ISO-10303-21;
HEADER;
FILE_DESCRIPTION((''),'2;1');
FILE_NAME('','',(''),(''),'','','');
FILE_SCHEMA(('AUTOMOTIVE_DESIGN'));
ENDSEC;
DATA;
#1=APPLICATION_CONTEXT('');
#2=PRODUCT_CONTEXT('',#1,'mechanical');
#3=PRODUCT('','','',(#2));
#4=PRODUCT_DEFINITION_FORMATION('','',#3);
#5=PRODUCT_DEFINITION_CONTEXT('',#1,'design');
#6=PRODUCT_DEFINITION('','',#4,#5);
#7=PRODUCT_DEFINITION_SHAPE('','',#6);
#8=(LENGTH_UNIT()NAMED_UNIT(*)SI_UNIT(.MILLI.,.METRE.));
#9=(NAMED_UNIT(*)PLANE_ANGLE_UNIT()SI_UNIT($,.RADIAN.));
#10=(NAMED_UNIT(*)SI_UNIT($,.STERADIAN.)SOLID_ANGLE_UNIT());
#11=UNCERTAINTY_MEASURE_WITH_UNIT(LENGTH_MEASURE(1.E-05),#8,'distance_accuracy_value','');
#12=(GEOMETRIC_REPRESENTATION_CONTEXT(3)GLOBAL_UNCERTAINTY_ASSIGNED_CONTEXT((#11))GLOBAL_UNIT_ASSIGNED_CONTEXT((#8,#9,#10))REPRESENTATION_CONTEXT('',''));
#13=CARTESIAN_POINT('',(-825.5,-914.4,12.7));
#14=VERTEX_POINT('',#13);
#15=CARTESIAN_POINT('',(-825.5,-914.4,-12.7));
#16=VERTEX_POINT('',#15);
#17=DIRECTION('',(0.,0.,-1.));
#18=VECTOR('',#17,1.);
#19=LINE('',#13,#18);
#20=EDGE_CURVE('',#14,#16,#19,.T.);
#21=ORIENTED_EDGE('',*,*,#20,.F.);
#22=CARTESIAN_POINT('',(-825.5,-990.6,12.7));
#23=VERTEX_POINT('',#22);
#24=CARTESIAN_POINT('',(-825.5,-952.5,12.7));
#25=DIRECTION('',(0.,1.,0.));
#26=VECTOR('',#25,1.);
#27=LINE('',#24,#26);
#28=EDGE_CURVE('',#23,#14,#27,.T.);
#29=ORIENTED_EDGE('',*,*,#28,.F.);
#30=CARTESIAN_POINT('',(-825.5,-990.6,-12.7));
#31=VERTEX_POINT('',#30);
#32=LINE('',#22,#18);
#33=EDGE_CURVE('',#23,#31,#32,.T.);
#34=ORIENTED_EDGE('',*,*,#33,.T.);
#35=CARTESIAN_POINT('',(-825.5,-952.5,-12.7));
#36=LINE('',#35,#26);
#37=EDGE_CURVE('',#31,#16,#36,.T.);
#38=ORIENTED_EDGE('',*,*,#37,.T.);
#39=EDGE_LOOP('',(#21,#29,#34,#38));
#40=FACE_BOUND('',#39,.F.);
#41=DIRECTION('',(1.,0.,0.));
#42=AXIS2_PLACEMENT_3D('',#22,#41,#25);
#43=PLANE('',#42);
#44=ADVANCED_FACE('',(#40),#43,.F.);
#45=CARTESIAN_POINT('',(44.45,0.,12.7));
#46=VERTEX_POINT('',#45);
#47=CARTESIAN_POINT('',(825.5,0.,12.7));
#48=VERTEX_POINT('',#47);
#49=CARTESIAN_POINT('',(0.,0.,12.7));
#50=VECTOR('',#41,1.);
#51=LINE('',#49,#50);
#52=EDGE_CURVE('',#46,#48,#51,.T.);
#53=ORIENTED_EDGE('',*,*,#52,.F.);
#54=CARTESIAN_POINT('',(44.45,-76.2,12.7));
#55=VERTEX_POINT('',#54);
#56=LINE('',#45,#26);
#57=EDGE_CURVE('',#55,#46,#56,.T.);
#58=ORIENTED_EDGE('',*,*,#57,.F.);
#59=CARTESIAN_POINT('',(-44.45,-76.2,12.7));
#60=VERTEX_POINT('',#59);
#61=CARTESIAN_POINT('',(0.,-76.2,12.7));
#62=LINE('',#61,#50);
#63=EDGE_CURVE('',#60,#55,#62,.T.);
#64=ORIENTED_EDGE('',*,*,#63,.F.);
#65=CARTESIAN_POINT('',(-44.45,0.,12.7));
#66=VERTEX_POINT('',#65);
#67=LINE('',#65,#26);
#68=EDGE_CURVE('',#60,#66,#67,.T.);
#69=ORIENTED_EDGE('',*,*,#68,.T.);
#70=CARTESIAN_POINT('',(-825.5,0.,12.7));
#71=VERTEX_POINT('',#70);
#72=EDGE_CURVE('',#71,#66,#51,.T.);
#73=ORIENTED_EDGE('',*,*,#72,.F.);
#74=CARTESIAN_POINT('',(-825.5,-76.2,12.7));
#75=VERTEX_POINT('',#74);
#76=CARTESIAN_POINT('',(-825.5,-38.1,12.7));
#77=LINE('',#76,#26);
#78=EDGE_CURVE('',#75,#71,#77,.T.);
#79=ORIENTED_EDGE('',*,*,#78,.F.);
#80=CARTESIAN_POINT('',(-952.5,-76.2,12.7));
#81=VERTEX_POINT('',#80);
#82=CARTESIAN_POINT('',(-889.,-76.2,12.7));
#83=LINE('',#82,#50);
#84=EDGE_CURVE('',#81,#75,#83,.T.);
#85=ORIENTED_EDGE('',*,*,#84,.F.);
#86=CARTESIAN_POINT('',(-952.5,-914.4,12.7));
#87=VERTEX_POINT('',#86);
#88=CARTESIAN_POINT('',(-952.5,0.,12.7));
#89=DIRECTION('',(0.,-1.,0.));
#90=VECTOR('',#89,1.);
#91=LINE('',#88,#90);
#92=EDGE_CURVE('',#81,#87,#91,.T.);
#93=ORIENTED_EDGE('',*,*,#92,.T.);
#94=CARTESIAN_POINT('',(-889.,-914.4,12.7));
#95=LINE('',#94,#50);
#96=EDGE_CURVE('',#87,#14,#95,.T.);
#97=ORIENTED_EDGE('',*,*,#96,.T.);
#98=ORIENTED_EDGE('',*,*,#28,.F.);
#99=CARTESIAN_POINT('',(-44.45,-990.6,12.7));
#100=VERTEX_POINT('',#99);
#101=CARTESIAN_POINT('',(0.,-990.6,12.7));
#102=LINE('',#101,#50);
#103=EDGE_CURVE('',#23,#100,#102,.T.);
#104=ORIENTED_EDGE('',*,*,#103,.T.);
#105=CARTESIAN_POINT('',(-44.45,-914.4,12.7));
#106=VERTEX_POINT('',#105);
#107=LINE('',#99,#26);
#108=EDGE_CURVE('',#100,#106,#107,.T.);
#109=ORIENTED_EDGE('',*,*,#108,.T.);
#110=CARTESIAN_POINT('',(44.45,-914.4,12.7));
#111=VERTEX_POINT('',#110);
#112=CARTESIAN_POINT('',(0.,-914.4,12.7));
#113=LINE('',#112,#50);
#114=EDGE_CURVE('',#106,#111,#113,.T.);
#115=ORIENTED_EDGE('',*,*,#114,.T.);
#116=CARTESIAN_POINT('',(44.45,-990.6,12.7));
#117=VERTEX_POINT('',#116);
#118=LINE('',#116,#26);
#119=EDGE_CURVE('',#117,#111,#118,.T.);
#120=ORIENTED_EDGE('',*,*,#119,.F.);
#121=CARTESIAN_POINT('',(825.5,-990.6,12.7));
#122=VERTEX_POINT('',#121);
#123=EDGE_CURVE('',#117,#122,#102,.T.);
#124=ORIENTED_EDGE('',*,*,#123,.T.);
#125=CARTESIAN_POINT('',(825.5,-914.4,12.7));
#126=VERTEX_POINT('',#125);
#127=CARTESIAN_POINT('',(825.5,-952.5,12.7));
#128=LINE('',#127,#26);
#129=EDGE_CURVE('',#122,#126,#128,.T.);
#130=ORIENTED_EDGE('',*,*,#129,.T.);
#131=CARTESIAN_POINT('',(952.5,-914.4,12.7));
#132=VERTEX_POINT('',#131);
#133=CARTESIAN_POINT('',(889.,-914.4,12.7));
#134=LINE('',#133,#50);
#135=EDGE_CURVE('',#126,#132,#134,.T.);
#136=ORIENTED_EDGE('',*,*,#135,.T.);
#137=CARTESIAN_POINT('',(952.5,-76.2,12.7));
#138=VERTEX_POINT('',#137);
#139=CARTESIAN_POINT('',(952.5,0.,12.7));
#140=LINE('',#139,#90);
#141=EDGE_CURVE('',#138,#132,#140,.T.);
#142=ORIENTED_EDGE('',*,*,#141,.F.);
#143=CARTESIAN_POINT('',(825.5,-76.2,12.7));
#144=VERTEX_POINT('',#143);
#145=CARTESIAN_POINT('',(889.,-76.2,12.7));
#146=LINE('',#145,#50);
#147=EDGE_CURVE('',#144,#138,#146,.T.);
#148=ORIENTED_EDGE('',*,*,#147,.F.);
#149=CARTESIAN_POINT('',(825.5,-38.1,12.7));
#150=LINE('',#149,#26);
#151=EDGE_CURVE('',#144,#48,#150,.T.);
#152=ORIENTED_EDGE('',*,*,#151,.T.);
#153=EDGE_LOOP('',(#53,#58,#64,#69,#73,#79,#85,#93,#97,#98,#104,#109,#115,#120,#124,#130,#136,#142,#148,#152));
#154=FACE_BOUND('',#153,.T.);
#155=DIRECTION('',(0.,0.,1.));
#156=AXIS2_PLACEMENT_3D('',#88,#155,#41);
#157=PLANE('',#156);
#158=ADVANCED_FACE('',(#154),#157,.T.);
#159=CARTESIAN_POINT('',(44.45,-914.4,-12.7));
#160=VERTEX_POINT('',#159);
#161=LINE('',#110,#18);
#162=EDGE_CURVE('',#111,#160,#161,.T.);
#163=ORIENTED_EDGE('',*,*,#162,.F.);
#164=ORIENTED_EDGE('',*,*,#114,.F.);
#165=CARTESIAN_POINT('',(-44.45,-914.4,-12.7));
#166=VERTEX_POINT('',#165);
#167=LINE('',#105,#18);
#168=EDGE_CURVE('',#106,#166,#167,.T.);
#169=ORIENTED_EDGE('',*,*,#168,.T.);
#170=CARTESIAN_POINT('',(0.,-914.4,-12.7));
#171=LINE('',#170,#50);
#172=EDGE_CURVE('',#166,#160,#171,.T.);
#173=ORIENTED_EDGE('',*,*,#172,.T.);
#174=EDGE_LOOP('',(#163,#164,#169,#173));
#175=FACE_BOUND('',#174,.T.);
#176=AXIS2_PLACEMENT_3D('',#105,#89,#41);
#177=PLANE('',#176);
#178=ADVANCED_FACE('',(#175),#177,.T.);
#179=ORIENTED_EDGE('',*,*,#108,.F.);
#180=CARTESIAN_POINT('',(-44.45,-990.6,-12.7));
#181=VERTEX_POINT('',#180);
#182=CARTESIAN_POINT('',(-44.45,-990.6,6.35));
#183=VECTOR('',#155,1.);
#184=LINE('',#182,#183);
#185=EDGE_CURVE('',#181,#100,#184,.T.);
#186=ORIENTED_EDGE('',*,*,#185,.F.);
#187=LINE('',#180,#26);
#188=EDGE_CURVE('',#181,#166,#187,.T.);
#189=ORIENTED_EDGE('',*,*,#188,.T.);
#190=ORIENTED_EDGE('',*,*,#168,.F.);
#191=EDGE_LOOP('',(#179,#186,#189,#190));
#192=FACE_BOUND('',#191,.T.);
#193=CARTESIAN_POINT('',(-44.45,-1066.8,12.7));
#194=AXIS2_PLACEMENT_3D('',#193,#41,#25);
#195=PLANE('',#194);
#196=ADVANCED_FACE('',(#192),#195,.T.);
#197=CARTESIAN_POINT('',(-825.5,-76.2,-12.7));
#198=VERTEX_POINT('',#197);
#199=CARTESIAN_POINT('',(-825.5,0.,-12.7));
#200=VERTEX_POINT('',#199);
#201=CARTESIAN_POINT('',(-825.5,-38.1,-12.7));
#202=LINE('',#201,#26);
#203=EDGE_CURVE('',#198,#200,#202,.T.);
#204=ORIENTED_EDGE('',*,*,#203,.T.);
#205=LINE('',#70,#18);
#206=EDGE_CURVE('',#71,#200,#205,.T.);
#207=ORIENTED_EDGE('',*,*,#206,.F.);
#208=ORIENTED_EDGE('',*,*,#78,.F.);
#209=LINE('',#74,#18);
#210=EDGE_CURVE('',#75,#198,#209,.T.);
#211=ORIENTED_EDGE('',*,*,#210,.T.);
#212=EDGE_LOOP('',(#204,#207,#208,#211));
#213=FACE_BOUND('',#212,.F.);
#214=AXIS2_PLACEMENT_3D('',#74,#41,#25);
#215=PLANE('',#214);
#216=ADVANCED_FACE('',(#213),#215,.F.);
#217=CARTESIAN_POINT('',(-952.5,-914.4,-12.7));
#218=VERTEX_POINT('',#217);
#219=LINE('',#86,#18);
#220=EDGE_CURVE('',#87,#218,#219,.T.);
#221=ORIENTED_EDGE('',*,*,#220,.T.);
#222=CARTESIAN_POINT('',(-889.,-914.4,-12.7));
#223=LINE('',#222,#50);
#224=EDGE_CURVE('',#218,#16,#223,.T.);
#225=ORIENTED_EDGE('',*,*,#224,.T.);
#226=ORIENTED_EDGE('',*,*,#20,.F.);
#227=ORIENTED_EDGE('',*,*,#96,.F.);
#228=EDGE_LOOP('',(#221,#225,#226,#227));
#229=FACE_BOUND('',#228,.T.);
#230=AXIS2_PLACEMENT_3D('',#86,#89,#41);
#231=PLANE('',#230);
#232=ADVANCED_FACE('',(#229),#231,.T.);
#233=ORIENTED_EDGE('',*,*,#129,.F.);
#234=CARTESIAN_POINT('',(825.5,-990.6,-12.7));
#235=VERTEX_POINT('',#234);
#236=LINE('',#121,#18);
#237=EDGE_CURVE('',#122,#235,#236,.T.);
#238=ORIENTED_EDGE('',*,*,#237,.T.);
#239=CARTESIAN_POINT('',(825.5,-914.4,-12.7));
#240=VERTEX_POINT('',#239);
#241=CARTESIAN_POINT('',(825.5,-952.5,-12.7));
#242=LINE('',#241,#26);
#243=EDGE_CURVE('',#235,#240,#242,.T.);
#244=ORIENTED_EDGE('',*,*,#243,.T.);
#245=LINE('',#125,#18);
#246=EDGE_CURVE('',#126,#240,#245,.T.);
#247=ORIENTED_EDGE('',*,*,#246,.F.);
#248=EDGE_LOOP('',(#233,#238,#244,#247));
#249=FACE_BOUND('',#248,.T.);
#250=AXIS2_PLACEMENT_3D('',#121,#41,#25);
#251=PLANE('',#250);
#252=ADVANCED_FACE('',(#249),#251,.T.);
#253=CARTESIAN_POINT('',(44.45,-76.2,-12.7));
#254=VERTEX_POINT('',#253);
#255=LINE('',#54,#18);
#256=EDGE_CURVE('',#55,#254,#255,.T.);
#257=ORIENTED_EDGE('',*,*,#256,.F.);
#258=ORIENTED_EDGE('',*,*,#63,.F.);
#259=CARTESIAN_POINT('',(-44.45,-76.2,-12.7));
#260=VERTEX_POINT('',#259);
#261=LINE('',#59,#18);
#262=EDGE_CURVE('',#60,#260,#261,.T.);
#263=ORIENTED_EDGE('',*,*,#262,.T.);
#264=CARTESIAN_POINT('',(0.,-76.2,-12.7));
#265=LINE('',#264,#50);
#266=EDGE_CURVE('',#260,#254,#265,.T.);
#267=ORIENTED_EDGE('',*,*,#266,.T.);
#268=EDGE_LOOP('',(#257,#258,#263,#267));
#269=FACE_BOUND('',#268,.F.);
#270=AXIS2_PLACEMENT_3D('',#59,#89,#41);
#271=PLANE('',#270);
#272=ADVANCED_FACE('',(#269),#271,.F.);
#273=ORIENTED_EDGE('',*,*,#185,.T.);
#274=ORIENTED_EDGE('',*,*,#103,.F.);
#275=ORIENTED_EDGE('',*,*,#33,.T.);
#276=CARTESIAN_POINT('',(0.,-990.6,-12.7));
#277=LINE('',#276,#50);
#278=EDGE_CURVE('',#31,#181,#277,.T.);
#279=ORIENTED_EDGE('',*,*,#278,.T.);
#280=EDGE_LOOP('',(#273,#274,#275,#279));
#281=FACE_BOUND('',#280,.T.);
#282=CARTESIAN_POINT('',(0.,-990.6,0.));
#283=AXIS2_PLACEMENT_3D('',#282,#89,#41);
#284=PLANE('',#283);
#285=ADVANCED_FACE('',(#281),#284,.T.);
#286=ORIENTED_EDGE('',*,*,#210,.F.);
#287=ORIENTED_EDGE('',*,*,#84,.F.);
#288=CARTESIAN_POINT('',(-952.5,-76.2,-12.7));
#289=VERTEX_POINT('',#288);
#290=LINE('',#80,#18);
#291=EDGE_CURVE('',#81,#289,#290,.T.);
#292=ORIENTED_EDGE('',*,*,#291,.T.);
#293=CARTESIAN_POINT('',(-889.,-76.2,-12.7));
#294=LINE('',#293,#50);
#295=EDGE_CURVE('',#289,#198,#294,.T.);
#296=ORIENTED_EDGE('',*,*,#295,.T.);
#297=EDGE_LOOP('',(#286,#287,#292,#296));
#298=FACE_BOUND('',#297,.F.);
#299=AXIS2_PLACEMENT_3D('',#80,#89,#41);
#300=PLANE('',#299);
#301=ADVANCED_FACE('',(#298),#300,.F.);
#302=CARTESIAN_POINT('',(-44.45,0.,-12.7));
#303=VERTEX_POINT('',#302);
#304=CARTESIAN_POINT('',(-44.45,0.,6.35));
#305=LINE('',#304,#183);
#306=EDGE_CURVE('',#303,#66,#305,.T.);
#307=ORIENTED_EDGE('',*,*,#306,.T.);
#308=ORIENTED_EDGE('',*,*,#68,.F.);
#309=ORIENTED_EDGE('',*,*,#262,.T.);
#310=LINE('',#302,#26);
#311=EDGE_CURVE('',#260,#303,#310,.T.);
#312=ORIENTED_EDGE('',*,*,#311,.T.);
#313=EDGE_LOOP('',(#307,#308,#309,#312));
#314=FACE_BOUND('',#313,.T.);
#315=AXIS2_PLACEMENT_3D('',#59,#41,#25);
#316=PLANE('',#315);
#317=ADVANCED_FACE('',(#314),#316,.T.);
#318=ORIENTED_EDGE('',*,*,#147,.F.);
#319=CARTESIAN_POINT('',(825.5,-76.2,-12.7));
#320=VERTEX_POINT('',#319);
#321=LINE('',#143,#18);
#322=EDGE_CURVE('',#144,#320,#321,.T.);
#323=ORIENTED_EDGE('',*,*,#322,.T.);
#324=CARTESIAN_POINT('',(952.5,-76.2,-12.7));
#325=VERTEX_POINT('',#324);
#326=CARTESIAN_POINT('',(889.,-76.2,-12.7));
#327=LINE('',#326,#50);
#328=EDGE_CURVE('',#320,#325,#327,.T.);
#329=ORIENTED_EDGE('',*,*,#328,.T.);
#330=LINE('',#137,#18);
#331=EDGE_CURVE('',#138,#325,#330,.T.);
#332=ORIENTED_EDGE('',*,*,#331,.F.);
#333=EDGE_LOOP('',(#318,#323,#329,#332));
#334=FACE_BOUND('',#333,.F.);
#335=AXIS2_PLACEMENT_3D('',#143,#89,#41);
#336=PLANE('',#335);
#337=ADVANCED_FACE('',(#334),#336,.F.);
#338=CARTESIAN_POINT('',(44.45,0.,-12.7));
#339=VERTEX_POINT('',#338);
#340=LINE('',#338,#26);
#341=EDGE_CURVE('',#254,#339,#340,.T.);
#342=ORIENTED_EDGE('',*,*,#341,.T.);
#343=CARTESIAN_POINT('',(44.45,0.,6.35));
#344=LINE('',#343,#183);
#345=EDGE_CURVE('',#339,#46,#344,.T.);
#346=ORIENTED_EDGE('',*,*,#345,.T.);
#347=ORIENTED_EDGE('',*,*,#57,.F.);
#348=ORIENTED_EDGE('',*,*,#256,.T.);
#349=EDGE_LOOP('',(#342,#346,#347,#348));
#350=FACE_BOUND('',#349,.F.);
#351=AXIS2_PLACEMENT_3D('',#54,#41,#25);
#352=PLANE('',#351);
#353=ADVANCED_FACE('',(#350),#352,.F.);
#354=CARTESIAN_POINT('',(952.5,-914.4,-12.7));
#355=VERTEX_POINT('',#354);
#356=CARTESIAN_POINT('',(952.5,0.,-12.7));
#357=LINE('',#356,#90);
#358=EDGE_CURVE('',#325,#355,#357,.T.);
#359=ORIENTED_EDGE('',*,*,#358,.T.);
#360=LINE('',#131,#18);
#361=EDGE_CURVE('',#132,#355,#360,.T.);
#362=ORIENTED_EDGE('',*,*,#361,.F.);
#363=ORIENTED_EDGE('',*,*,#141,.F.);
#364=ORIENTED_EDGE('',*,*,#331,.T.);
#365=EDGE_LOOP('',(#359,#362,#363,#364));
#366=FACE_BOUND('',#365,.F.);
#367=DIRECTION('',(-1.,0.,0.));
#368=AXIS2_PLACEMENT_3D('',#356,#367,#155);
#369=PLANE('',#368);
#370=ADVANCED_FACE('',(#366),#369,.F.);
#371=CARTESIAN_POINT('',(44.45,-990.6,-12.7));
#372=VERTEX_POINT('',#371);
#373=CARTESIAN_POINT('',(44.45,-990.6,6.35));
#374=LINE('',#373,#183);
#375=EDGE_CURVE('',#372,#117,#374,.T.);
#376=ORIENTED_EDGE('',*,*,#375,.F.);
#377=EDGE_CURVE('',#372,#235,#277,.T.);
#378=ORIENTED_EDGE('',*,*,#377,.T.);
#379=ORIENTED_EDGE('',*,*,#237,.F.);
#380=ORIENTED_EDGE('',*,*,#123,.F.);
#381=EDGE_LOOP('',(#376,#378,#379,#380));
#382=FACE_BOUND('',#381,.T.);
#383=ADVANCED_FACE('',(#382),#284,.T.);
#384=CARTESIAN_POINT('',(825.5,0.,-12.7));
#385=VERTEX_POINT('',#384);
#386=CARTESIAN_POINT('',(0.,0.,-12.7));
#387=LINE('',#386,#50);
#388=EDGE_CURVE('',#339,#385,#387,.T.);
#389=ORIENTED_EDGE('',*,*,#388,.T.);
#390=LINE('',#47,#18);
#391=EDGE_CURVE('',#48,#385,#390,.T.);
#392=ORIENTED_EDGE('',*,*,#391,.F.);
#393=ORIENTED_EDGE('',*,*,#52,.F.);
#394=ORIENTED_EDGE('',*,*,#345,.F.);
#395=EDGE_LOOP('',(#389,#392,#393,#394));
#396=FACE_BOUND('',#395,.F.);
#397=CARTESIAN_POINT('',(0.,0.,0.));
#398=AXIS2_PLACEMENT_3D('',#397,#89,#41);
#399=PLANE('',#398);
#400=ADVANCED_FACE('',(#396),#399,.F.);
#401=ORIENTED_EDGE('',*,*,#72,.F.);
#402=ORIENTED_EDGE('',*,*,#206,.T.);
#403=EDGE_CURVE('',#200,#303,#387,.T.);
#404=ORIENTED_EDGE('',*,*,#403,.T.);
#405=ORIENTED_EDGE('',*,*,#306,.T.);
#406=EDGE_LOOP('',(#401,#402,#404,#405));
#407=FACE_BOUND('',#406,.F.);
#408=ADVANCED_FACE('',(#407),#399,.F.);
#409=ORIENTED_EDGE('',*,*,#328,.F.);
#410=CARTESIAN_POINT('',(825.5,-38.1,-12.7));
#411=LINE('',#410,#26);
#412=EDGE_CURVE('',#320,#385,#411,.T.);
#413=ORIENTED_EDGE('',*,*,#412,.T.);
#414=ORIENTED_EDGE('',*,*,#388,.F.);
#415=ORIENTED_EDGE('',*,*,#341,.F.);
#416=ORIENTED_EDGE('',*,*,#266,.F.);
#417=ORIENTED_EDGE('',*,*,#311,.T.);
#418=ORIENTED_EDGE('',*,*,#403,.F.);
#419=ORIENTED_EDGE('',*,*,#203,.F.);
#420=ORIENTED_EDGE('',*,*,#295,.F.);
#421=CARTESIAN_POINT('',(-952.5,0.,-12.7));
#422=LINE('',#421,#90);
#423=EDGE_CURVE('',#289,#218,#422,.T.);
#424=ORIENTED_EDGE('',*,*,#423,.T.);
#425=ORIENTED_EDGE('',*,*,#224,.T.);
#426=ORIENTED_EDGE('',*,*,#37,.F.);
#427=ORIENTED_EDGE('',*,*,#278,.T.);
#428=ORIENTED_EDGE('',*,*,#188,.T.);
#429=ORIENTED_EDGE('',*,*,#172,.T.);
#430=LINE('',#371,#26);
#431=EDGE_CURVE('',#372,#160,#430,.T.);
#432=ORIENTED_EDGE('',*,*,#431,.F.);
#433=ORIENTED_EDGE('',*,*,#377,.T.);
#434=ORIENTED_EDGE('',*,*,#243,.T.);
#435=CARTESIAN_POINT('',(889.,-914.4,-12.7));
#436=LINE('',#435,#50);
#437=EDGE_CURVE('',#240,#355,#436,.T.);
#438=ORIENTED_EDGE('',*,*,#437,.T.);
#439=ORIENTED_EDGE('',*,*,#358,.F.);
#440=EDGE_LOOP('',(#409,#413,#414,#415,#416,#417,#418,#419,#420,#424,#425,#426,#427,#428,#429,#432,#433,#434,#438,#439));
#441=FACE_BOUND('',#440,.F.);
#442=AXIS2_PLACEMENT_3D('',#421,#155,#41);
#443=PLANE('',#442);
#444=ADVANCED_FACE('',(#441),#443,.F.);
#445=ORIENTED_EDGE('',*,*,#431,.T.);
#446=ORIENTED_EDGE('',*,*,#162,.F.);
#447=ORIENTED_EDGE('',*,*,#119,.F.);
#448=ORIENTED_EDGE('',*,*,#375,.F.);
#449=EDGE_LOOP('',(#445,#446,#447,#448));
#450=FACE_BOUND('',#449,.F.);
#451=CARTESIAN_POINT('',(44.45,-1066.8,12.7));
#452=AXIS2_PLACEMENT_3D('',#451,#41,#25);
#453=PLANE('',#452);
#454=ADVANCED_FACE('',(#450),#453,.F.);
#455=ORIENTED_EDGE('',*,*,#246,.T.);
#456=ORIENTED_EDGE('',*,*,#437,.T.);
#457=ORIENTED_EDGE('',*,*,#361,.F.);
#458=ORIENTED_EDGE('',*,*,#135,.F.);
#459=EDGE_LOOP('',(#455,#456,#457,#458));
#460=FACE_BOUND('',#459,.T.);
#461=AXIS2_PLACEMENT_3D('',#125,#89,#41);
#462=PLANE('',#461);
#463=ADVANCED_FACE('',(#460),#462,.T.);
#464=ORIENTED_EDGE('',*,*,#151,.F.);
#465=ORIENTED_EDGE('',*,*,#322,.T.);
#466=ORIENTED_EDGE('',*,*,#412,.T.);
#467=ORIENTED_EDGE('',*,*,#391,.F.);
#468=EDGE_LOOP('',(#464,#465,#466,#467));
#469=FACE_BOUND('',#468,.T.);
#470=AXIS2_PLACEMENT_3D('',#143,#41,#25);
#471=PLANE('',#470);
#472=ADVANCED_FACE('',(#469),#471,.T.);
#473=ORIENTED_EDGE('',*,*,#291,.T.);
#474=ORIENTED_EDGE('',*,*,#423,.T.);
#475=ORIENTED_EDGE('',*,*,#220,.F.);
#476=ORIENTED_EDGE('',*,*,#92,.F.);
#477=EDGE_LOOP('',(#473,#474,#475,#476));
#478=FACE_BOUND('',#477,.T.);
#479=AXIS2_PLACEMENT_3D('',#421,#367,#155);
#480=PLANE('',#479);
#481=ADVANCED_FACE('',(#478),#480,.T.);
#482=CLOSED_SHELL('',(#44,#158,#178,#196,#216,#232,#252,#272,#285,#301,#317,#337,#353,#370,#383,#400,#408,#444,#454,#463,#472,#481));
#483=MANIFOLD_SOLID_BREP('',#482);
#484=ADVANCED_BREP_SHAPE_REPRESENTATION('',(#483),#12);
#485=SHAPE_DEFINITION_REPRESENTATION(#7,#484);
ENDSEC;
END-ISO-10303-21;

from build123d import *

# Parameters (mm, degrees)
F0_W     = 1905
F0_H     = 25.4
F1_DEPTH = 990.6
F2_W     = 127
F2_H     = 76.2
F2_W_2   = 88.9
F2_H_2   = 152.4
F3_DEPTH = 25.4


with BuildPart() as f1:
    # F0 (on Front) → F1 (new body)
    with BuildSketch(Plane.XZ):
        Rectangle(F0_W, F0_H)
    extrude(amount=F1_DEPTH)

    # F2 (on face) → F3 (cut)
    with BuildSketch(Plane.XY.offset(12.7)):
        with Locations((-889, -38.1)):
            Rectangle(F2_W, F2_H)
        with Locations((-889, -952.5)):
            Rectangle(F2_W, F2_H)
        with Locations((889, -952.5)):
            Rectangle(F2_W, F2_H)
        with Locations((889, -38.1)):
            Rectangle(F2_W, F2_H)
        Rectangle(F2_W_2, F2_H_2)
        with Locations((0, -990.6)):
            Rectangle(F2_W_2, F2_H_2)
    extrude(amount=-F3_DEPTH, mode=Mode.SUBTRACT)


solid = f1.part
